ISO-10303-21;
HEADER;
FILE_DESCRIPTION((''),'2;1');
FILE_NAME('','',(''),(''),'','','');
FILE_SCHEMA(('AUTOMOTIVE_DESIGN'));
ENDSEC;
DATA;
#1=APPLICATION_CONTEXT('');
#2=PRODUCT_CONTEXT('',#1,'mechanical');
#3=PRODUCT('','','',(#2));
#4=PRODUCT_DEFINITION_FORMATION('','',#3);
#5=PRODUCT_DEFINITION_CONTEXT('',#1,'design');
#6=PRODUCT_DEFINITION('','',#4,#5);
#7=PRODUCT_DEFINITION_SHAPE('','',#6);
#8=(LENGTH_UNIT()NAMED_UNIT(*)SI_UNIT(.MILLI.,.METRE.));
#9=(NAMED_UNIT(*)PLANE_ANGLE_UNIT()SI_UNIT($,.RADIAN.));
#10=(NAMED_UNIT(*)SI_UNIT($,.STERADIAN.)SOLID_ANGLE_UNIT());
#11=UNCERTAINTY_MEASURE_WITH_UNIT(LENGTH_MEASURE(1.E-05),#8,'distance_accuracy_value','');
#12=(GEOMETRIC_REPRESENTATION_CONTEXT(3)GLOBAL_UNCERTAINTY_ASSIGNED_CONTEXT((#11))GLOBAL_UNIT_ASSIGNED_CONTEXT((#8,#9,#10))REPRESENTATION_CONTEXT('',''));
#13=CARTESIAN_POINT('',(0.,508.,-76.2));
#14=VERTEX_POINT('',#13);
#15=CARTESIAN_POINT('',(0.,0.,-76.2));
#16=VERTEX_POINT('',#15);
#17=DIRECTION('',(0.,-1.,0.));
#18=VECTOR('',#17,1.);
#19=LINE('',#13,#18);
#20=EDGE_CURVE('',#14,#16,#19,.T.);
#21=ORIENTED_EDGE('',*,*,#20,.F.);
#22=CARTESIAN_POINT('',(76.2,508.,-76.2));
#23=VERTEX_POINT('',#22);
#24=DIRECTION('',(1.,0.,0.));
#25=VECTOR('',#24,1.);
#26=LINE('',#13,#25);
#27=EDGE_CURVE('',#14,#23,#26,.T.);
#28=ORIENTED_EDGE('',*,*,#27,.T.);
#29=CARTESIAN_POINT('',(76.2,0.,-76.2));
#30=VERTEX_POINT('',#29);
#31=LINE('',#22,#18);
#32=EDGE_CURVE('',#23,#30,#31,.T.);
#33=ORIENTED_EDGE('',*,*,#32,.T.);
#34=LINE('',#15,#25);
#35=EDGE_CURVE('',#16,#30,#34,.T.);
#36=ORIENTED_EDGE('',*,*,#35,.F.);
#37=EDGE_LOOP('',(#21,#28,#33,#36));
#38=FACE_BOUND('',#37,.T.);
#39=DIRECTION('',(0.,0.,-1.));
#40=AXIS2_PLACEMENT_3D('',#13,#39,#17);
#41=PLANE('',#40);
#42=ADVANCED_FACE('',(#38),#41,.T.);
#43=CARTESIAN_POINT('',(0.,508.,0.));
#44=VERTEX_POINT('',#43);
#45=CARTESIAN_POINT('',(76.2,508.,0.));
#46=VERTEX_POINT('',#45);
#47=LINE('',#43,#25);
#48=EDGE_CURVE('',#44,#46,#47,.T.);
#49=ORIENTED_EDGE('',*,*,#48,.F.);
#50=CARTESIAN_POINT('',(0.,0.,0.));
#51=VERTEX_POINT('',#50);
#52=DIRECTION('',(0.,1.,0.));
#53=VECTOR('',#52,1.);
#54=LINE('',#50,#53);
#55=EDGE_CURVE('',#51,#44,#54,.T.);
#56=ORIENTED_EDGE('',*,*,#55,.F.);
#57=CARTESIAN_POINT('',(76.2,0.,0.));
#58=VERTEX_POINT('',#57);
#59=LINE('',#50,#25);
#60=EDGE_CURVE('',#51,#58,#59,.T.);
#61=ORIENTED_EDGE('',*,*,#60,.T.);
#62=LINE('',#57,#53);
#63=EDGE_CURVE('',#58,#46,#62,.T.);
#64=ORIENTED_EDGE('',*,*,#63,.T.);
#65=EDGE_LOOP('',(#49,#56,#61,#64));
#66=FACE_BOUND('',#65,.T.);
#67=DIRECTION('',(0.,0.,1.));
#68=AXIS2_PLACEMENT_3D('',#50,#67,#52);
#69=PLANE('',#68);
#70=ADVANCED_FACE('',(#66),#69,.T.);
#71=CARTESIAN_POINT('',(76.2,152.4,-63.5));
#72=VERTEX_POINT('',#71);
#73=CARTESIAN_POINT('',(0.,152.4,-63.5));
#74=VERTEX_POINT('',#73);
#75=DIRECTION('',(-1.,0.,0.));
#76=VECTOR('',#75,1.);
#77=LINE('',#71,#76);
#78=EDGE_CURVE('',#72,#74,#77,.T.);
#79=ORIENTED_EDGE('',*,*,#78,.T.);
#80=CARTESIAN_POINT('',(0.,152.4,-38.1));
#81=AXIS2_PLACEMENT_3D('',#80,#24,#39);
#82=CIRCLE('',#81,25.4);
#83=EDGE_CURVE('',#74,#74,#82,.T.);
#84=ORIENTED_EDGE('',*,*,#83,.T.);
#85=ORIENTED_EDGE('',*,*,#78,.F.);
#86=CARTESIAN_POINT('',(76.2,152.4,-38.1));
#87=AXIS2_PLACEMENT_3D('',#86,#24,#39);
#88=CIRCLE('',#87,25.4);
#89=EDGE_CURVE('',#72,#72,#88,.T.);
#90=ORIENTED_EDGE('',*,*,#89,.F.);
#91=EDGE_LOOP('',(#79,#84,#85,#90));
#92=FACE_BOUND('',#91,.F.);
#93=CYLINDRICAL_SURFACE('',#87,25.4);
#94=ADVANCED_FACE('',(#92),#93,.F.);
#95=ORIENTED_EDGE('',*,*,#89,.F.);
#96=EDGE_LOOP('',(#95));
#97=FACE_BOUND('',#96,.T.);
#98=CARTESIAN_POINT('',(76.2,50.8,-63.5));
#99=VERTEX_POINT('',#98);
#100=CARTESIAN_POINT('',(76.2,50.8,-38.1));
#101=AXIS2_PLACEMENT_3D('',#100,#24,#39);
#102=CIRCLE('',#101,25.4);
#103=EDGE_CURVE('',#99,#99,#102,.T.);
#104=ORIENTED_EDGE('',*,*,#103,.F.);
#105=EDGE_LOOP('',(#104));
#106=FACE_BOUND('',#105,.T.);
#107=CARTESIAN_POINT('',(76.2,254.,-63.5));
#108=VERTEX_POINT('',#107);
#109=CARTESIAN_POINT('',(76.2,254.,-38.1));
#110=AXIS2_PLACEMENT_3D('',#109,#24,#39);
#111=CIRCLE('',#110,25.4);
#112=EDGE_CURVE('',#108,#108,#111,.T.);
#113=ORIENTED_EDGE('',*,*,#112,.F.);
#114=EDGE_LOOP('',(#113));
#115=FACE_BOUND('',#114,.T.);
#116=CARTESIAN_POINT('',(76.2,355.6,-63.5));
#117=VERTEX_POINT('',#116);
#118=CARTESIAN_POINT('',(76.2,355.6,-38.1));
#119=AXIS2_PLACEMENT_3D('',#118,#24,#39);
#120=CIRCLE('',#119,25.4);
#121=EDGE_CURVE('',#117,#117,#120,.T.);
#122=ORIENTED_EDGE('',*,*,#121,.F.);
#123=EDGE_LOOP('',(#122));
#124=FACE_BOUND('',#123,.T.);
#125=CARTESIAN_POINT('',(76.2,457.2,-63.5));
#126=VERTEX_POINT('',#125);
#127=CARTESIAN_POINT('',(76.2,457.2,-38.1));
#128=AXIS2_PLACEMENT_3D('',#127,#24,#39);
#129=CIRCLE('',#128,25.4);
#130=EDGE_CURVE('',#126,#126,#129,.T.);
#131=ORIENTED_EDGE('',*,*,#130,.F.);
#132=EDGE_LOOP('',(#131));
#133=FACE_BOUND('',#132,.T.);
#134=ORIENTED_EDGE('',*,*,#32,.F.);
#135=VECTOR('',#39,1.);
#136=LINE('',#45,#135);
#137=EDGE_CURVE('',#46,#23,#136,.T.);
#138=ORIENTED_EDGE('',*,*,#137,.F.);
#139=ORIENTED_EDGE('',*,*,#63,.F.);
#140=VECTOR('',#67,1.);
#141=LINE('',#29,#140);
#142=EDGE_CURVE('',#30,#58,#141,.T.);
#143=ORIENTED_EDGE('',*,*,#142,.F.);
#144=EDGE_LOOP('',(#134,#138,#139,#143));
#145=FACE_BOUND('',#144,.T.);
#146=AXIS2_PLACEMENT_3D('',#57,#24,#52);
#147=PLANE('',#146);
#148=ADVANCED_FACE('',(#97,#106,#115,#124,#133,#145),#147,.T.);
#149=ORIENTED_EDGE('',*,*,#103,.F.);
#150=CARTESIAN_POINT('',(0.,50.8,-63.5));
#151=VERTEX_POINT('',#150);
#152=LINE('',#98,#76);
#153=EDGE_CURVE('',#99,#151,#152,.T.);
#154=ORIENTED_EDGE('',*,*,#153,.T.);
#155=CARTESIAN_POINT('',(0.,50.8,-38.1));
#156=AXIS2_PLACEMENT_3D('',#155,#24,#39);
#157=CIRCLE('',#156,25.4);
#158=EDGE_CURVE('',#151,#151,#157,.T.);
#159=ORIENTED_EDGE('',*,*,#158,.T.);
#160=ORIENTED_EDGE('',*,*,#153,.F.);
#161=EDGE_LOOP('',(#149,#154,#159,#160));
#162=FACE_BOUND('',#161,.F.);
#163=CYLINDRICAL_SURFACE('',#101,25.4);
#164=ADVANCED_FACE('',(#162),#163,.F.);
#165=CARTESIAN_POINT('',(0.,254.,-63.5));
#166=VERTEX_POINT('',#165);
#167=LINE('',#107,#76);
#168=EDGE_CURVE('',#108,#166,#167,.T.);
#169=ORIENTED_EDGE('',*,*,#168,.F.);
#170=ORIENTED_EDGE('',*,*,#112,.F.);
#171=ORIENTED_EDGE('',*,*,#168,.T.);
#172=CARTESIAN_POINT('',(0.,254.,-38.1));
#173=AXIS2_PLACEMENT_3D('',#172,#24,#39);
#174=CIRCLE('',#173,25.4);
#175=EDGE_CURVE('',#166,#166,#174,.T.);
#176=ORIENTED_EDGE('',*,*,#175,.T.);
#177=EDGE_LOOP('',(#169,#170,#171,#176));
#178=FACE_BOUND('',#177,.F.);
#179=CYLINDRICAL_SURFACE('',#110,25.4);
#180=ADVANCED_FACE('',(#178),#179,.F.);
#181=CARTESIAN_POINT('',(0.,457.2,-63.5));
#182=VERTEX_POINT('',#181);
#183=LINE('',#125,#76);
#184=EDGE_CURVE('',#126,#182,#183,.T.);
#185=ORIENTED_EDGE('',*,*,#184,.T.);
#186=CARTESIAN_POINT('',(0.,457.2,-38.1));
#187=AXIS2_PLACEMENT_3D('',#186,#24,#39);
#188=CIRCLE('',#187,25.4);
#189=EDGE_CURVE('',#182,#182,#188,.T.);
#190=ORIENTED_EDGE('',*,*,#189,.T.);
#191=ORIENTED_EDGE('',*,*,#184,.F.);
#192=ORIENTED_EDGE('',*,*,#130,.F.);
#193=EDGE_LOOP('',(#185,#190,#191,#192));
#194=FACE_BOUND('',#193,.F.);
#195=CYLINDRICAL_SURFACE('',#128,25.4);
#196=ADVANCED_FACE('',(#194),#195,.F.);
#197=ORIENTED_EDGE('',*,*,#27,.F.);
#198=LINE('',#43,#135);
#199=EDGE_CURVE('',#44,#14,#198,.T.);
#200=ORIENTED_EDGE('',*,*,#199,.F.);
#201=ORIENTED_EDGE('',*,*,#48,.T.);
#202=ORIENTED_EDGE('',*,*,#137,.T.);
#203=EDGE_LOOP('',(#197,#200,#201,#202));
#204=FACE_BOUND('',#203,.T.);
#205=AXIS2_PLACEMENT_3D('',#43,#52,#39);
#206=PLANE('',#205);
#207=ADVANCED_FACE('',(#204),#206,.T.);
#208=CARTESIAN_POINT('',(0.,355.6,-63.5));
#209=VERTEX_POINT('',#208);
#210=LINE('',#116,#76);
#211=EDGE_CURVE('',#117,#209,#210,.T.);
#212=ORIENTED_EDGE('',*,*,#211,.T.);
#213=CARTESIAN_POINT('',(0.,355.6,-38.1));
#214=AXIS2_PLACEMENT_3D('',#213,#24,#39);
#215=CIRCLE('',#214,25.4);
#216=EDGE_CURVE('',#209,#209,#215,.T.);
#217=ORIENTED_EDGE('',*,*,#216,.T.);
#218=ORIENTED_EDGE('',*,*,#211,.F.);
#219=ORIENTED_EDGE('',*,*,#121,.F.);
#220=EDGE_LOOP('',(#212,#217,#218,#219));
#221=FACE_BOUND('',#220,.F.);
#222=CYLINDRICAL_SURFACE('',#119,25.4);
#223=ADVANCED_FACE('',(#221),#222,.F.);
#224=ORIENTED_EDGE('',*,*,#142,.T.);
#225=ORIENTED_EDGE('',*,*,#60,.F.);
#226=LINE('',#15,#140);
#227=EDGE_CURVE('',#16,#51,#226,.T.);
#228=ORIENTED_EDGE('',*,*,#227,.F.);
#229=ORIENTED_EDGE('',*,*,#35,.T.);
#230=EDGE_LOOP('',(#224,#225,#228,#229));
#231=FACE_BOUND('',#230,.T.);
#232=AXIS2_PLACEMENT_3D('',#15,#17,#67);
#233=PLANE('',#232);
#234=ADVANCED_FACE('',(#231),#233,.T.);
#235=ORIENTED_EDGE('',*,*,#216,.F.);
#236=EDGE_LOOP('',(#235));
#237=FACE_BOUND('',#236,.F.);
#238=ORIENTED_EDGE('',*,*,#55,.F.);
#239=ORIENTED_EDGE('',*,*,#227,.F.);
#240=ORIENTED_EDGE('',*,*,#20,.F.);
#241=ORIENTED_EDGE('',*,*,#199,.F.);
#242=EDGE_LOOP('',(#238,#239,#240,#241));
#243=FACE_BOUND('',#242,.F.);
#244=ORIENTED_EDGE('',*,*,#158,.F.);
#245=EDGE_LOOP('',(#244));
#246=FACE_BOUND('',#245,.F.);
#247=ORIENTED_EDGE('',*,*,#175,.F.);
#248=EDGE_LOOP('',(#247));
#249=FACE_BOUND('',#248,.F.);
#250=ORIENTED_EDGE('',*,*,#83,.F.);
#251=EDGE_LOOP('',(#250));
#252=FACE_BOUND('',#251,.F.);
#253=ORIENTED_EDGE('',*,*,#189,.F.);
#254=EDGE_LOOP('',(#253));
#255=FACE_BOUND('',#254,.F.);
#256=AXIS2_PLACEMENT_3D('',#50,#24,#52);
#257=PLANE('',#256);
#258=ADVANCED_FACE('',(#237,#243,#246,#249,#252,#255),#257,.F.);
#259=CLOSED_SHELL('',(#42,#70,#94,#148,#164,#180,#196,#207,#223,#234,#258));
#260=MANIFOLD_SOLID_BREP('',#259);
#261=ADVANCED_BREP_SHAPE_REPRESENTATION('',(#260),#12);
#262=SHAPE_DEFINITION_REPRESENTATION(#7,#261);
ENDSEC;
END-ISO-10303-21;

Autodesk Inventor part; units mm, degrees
ref_plane "YZ Plane" through (0, 0, 0) normal (1, 0, 0) x (0, 1, 0)
ref_plane "XZ Plane" through (0, 0, 0) normal (0, 1, 0) x (-1, 0, 0)
ref_plane "XY Plane" through (0, 0, 0) normal (0, 0, 1) x (1, 0, 0)
sketch "Sketch2" plane through (0, 0, 0) normal (1, 0, 0) x (0, 1, 0)
  line L0 (0, 0) -> (508, 0)
  line L1 (508, 0) -> (508, -76.2)
  line L2 (508, -76.2) -> (0, -76.2)
  line L3 (0, -76.2) -> (0, 0)
  dimension "d0" = 508
  dimension "d1" = 76.2
extrude "Extrusion1" add sketch "Sketch2" along normal blind 76.2
sketch "Sketch4" plane through (76.2, 0, 0) normal (1, 0, 0) x (0, 0, -1)
  circle A0 centre (38.1, 50.8) radius 25.4
  circle A1 centre (38.1, 152.4) radius 25.4
  circle A2 centre (38.1, 254) radius 25.4
  circle A3 centre (38.1, 355.6) radius 25.4
  circle A4 centre (38.1, 457.2) radius 25.4
  point P0 (0, 0)
  dimension "d10" = 50.8
  dimension "d11" = 50.8
  dimension "d12" = 50.8
  dimension "d13" = 50.8
  dimension "d14" = 50.8
extrude "Extrusion3" cut sketch "Sketch4" against normal blind 76.2
properties part number "gripper_mc_dipper"
